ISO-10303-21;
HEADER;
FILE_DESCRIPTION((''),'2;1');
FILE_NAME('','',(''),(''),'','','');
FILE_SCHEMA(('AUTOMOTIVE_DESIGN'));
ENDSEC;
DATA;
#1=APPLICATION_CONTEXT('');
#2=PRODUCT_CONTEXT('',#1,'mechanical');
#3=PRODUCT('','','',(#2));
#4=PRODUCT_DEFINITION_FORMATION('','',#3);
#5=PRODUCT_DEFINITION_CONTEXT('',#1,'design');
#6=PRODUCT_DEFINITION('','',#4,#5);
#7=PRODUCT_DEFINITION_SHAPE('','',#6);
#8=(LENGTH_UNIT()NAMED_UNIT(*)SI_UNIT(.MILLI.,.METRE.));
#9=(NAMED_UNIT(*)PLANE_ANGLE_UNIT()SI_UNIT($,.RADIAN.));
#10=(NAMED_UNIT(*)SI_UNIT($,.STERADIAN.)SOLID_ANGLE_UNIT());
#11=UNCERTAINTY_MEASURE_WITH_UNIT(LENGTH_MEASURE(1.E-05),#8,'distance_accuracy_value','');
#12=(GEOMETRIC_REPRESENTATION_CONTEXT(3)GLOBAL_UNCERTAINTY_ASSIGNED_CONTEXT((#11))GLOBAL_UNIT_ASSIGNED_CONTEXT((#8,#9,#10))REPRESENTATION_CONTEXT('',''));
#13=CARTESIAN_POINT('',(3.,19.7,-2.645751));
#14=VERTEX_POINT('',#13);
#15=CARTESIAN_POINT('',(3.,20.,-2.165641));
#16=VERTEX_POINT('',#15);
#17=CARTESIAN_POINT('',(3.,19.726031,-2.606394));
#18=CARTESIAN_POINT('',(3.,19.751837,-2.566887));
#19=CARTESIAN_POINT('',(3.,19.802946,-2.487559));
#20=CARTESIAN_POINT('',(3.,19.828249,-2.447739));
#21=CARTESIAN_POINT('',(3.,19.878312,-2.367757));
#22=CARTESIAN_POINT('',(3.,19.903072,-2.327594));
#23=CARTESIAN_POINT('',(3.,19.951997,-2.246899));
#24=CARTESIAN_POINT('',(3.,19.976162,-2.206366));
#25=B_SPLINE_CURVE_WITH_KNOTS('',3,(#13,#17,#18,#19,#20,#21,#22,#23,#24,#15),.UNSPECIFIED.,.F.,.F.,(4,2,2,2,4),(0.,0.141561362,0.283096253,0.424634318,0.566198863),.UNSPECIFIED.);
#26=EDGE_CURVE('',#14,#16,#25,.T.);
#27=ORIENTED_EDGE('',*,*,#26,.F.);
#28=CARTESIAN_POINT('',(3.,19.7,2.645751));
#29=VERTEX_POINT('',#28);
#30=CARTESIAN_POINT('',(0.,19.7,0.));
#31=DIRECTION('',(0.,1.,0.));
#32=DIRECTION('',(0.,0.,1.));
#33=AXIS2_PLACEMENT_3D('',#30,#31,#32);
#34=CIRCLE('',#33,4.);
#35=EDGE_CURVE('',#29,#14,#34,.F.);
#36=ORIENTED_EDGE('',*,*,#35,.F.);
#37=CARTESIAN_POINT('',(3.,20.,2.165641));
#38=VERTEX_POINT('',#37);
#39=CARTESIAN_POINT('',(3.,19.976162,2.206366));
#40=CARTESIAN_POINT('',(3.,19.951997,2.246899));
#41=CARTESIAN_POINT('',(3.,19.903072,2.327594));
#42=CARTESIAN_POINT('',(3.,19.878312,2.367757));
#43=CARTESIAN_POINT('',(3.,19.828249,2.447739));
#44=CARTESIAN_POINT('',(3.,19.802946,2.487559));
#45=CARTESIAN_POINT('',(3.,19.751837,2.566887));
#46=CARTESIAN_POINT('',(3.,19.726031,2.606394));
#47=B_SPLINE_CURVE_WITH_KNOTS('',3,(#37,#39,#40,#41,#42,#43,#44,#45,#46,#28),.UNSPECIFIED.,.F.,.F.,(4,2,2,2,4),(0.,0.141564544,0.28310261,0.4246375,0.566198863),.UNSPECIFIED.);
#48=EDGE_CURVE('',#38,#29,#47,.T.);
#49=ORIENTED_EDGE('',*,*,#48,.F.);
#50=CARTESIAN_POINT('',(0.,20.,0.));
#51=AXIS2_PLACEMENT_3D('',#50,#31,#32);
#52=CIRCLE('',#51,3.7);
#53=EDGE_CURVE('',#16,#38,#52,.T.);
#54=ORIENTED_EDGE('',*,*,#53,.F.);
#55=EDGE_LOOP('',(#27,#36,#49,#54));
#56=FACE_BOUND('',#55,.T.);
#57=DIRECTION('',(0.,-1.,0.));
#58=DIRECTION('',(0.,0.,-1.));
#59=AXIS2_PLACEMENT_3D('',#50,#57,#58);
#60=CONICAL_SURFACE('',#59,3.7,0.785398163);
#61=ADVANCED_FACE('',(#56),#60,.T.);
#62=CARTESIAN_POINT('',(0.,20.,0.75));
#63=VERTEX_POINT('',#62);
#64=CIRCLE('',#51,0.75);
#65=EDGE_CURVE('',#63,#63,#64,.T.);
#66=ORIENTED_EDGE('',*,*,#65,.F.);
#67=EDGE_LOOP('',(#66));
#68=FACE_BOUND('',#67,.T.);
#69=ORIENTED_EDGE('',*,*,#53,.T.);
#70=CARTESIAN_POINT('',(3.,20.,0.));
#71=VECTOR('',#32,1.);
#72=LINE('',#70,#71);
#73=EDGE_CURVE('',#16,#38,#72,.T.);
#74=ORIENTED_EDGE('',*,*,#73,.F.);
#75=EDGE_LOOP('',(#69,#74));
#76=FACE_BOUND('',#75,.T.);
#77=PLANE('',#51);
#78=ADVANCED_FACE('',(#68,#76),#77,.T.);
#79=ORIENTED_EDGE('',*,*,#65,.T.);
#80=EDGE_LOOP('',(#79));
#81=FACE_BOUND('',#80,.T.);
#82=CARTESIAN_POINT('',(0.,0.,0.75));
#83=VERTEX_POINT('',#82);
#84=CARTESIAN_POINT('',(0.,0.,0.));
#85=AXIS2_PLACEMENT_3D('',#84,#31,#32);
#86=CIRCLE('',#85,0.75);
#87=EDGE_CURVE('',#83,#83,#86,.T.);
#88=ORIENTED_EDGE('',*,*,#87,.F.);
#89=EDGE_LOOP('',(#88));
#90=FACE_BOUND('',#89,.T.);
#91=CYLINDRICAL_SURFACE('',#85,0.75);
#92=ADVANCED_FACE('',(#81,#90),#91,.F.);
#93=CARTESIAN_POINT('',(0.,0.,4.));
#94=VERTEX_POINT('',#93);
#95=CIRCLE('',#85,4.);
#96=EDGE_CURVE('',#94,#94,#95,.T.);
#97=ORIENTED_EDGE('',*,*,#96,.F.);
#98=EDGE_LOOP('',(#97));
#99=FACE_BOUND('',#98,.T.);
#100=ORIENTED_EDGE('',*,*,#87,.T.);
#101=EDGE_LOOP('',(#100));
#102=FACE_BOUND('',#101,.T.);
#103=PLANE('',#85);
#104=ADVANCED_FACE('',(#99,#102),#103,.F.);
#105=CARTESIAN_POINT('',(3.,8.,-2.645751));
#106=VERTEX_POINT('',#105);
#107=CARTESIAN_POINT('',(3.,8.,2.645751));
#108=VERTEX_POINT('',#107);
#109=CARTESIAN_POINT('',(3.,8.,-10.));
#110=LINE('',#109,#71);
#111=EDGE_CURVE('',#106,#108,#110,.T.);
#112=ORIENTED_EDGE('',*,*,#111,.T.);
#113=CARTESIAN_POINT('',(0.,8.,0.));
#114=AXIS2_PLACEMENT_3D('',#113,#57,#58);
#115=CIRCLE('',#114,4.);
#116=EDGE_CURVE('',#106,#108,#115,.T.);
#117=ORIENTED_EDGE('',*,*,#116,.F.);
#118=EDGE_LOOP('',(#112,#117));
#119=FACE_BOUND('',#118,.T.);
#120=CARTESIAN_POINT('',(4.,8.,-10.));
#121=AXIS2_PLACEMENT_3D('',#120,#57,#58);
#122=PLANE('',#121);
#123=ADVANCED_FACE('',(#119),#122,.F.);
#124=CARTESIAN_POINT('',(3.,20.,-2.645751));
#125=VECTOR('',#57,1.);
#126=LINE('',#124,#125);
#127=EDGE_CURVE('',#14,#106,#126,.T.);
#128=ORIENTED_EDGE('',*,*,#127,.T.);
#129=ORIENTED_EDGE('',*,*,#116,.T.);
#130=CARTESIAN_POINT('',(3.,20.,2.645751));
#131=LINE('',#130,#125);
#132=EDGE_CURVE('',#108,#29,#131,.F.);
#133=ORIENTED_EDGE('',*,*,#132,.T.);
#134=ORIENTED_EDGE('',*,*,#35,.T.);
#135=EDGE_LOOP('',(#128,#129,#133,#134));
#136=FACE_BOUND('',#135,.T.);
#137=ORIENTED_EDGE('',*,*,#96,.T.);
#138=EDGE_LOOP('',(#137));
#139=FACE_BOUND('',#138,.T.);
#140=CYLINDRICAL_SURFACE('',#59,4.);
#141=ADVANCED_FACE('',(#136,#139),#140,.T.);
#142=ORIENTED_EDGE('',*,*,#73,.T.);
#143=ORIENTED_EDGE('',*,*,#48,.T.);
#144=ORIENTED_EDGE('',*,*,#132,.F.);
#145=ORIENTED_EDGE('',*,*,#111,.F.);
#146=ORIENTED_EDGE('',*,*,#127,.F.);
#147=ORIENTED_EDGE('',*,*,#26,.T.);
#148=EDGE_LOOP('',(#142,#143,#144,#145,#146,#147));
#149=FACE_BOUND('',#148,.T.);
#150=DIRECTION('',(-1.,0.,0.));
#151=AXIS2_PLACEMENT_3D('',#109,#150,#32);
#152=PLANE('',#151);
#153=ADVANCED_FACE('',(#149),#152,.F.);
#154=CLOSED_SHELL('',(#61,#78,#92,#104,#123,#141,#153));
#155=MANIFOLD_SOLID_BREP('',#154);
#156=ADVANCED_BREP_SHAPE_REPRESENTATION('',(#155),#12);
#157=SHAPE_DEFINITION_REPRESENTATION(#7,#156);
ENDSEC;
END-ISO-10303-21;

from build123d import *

# Parameters (mm, degrees)
SKETCH2_R           = 4
BOSS_EXTRUDE1_DEPTH = 20
SKETCH3_W           = 1
SKETCH3_H           = 12
CUT_EXTRUDE2_DEPTH  = 10
CHAMFER1_SIZE       = 0.3
SKETCH4_R           = 0.75
CUT_EXTRUDE3_DEPTH  = 20


with BuildPart() as part:
    # Sketch2 → Boss-Extrude1 (new body)
    with BuildSketch(Plane(origin=(0, 0, 0), x_dir=(1, 0, 0), z_dir=(0, 1, 0))):
        with Locations(Location((0, 0, 0), (0, 0, 270))):
            Circle(SKETCH2_R)
    extrude(amount=BOSS_EXTRUDE1_DEPTH)

    # Sketch3 → Cut-Extrude2 (cut, symmetric)
    with BuildSketch(Plane.XY):
        with Locations((3.5, 14)):
            Rectangle(SKETCH3_W, SKETCH3_H)
    extrude(amount=CUT_EXTRUDE2_DEPTH, both=True, mode=Mode.SUBTRACT)

    # Chamfer1
    chamfer1_edges = [part.edges().sort_by_distance(p)[0] for p in [
        (-3.645751311, 20, -1.645751311),
    ]]
    chamfer(chamfer1_edges, length=CHAMFER1_SIZE)

    # Sketch4 → Cut-Extrude3 (cut)
    with BuildSketch(Plane(origin=(0, 20, 0), x_dir=(1, 0, 0), z_dir=(0, 1, 0))):
        with Locations(Location((0, 0, 0), (0, 0, 270))):
            Circle(SKETCH4_R)
    extrude(amount=-CUT_EXTRUDE3_DEPTH, mode=Mode.SUBTRACT)


solid = part.part
